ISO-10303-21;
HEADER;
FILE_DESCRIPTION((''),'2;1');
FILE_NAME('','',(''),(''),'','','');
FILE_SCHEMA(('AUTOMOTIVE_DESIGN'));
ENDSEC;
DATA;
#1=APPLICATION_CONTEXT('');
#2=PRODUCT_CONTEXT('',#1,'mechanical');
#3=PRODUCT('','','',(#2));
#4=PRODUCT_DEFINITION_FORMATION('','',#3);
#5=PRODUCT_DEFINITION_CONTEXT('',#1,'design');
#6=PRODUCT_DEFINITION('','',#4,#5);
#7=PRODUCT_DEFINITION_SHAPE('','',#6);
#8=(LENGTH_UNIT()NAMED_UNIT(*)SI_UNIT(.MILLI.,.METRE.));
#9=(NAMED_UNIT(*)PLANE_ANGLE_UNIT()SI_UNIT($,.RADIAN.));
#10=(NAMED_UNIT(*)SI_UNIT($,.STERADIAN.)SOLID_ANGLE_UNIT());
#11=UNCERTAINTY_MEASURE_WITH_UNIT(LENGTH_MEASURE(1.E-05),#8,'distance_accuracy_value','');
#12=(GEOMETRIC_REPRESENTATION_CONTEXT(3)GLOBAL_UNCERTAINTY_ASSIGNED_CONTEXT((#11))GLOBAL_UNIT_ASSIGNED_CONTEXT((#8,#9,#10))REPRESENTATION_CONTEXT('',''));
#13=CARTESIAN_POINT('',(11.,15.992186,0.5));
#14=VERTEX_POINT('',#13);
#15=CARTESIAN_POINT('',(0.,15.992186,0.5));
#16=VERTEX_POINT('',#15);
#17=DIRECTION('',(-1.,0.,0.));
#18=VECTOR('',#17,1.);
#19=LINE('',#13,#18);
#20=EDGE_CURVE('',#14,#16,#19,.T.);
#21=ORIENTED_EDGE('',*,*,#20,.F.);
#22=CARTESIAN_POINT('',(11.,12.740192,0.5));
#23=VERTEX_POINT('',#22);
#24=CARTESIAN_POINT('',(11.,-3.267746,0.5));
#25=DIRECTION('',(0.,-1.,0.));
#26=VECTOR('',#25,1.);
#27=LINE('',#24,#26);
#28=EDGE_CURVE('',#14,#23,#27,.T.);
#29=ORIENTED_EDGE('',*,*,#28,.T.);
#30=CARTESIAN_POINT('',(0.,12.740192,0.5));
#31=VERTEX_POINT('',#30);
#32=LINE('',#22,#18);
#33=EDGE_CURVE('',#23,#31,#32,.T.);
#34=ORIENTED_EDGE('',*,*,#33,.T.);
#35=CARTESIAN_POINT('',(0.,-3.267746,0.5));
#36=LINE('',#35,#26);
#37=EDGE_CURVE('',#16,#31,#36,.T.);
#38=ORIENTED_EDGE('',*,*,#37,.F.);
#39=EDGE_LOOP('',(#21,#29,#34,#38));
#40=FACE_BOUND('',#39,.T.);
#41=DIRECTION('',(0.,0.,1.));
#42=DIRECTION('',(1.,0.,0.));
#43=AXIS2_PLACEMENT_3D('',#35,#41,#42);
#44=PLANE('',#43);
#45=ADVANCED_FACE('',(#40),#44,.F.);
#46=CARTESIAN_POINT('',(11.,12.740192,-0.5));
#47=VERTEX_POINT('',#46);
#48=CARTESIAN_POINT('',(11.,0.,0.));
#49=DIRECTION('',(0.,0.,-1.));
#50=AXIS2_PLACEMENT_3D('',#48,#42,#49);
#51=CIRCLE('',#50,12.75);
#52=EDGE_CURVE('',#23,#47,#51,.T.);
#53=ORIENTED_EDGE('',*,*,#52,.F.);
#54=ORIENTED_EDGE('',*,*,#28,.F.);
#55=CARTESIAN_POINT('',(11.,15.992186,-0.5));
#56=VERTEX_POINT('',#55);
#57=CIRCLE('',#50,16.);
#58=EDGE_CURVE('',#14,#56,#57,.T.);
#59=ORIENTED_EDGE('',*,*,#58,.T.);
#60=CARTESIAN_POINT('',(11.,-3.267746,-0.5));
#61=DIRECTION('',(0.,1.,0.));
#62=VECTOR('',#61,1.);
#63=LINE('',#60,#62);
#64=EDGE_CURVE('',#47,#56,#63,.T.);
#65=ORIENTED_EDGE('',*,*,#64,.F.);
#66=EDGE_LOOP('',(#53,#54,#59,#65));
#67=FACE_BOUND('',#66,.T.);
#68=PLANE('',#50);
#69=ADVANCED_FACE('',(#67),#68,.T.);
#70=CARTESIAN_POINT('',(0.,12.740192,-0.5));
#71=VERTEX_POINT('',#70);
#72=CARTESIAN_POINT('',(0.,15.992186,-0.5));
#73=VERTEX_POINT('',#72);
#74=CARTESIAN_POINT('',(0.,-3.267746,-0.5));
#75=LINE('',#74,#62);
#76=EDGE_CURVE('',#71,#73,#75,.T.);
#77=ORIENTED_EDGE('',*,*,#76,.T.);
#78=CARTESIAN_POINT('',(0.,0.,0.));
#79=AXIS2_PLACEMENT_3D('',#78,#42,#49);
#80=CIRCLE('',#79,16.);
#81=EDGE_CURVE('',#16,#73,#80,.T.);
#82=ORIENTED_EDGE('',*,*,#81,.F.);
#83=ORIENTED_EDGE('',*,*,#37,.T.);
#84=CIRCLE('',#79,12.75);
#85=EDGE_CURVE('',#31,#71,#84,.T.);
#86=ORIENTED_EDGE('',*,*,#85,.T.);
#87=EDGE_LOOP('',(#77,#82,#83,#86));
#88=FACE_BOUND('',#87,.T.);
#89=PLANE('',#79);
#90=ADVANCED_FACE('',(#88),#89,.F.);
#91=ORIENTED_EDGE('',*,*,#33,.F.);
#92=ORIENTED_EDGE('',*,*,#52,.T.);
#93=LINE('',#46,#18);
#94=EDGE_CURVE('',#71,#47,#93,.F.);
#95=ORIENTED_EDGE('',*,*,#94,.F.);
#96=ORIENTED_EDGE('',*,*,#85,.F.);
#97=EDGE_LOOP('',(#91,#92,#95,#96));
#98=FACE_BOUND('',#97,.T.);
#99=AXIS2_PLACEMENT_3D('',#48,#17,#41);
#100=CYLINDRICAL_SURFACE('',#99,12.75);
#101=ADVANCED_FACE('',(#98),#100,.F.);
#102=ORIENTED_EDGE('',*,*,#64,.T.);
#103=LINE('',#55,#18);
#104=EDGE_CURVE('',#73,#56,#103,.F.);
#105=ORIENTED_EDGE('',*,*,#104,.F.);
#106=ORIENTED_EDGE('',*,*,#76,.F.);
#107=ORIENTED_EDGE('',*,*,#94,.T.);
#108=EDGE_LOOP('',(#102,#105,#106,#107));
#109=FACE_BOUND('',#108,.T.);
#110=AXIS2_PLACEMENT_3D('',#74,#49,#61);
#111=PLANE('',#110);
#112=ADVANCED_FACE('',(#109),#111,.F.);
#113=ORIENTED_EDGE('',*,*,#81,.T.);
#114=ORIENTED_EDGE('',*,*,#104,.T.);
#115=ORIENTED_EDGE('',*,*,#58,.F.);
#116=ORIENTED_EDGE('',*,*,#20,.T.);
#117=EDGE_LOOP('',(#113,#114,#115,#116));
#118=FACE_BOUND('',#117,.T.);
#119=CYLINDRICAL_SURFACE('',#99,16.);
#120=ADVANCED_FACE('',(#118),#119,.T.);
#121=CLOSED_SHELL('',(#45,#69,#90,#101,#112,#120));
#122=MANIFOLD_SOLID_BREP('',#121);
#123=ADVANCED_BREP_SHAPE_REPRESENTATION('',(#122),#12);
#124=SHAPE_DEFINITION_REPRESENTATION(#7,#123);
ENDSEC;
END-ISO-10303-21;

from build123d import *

# Parameters (mm, degrees)
SCHIZZO1_R                   = 16
SCHIZZO1_R_2                 = 12.75
ESTRUSIONE_ESTRUSIONE1_DEPTH = 11
SCHIZZO2_W                   = 1
SCHIZZO2_H                   = 19.267745515
TAGLIO_ESTRUSIONE1_DEPTH     = 26.159491251


with BuildPart() as part:
    # Schizzo1 → Estrusione-Estrusione1 (new body)
    with BuildSketch(Plane(origin=(0, 0, 0), x_dir=(0, 0, -1), z_dir=(1, 0, 0))):
        Circle(SCHIZZO1_R)
        Circle(SCHIZZO1_R_2, mode=Mode.SUBTRACT)
    extrude(amount=ESTRUSIONE_ESTRUSIONE1_DEPTH)

    # Schizzo2 → Taglio-Estrusione1 (cut, through all)
    with BuildSketch(Plane(origin=(11, 0, 0), x_dir=(0, 0, -1), z_dir=(1, 0, 0))):
        with Locations((0, 6.366127243)):
            Rectangle(SCHIZZO2_W, SCHIZZO2_H)
    extrude(amount=-TAGLIO_ESTRUSIONE1_DEPTH, mode=Mode.SUBTRACT)


solid = part.part
